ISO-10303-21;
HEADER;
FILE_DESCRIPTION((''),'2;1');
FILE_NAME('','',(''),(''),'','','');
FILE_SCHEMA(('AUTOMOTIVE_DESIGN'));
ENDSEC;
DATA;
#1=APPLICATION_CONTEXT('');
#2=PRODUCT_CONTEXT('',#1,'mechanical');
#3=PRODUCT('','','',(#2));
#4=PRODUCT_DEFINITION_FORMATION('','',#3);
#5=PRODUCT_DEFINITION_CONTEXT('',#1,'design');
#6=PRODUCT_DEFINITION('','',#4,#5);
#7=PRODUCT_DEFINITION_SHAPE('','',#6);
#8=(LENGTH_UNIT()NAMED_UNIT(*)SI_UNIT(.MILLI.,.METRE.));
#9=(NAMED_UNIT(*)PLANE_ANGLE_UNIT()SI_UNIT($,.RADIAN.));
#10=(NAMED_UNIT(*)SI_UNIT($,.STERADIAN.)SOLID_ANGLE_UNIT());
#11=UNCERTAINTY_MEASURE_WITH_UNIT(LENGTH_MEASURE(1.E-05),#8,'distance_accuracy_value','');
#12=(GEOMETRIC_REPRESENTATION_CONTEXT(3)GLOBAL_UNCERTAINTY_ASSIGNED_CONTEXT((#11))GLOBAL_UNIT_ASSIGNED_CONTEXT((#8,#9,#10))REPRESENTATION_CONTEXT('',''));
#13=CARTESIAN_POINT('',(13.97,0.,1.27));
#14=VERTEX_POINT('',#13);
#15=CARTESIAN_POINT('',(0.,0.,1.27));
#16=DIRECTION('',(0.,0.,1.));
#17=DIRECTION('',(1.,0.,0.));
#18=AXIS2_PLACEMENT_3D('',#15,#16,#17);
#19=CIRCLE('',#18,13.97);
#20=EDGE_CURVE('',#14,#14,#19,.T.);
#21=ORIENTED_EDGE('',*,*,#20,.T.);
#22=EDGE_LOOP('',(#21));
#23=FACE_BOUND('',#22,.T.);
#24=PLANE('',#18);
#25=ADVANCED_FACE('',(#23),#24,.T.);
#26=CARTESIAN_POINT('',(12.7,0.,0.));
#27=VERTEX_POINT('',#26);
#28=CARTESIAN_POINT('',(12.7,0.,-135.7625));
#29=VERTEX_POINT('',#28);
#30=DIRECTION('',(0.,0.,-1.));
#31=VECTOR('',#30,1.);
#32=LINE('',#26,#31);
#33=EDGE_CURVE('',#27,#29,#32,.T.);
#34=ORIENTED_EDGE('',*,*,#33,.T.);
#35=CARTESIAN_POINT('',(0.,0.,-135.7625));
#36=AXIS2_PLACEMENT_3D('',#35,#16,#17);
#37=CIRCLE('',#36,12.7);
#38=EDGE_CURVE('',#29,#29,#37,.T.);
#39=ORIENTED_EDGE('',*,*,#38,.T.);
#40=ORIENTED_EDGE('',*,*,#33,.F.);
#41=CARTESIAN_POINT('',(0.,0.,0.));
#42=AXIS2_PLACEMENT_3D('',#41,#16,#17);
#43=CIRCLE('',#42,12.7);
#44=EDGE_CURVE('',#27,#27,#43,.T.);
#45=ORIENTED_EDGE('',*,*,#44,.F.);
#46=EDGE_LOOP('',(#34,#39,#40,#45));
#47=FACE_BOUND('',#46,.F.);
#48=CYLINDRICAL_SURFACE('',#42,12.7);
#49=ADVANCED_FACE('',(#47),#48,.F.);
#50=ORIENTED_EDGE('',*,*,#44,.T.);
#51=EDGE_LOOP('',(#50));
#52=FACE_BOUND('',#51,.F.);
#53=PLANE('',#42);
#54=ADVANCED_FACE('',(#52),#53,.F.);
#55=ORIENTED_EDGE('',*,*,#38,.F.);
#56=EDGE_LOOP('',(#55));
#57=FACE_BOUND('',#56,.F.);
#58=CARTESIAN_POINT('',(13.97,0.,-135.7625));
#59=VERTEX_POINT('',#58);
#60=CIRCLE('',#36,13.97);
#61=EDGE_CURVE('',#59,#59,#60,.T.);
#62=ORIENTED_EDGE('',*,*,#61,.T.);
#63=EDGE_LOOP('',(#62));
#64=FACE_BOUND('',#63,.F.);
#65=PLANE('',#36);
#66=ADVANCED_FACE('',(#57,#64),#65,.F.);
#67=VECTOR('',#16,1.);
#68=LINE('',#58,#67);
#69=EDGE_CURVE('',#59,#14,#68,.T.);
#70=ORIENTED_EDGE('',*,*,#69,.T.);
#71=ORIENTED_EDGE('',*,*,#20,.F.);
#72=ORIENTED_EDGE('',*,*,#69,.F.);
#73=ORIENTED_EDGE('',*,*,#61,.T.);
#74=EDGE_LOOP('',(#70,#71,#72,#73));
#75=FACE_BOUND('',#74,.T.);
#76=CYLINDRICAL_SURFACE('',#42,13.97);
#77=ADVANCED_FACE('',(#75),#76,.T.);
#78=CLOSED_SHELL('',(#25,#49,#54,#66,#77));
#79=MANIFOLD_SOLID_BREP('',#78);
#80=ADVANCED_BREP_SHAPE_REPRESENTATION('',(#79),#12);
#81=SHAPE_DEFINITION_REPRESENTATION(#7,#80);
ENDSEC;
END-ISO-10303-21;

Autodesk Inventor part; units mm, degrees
ref_plane "YZ Plane" through (0, 0, 0) normal (1, 0, 0) x (0, 1, 0)
ref_plane "Work Plane1" through (-9.3053, -9.3053, -203.6437) normal (0, 0, -1) x (-0.6828, 0.7306, 0)
ref_plane "Work Plane2" through (-9.9277, -9.9277, -135.7625) normal (0, 0, -1) x (-0.6828, 0.7306, 0)
sketch "Sketch1" plane through (0, 0, 0) normal (0, 0, 1) x (1, 0, 0)
  circle A0 centre (0, 0) radius 12.7
  circle A1 centre (0, 0) radius 13.97
  dimension "d6" = 1.27
  dimension "d7" = 25.4
extrude "Extrusion1" add sketch "Sketch1" against normal up to surface (135.7625 mm away)
sketch "Sketch2" plane through (0, 0, 0) normal (0, 0, 1) x (1, 0, 0)
  circle A0 centre (0, 0) radius 13.97 projected
extrude "Extrusion3" add sketch "Sketch2" along normal blind 1.27
properties part number "InteralBatHousing" material "Polyethylene, Low Density"
